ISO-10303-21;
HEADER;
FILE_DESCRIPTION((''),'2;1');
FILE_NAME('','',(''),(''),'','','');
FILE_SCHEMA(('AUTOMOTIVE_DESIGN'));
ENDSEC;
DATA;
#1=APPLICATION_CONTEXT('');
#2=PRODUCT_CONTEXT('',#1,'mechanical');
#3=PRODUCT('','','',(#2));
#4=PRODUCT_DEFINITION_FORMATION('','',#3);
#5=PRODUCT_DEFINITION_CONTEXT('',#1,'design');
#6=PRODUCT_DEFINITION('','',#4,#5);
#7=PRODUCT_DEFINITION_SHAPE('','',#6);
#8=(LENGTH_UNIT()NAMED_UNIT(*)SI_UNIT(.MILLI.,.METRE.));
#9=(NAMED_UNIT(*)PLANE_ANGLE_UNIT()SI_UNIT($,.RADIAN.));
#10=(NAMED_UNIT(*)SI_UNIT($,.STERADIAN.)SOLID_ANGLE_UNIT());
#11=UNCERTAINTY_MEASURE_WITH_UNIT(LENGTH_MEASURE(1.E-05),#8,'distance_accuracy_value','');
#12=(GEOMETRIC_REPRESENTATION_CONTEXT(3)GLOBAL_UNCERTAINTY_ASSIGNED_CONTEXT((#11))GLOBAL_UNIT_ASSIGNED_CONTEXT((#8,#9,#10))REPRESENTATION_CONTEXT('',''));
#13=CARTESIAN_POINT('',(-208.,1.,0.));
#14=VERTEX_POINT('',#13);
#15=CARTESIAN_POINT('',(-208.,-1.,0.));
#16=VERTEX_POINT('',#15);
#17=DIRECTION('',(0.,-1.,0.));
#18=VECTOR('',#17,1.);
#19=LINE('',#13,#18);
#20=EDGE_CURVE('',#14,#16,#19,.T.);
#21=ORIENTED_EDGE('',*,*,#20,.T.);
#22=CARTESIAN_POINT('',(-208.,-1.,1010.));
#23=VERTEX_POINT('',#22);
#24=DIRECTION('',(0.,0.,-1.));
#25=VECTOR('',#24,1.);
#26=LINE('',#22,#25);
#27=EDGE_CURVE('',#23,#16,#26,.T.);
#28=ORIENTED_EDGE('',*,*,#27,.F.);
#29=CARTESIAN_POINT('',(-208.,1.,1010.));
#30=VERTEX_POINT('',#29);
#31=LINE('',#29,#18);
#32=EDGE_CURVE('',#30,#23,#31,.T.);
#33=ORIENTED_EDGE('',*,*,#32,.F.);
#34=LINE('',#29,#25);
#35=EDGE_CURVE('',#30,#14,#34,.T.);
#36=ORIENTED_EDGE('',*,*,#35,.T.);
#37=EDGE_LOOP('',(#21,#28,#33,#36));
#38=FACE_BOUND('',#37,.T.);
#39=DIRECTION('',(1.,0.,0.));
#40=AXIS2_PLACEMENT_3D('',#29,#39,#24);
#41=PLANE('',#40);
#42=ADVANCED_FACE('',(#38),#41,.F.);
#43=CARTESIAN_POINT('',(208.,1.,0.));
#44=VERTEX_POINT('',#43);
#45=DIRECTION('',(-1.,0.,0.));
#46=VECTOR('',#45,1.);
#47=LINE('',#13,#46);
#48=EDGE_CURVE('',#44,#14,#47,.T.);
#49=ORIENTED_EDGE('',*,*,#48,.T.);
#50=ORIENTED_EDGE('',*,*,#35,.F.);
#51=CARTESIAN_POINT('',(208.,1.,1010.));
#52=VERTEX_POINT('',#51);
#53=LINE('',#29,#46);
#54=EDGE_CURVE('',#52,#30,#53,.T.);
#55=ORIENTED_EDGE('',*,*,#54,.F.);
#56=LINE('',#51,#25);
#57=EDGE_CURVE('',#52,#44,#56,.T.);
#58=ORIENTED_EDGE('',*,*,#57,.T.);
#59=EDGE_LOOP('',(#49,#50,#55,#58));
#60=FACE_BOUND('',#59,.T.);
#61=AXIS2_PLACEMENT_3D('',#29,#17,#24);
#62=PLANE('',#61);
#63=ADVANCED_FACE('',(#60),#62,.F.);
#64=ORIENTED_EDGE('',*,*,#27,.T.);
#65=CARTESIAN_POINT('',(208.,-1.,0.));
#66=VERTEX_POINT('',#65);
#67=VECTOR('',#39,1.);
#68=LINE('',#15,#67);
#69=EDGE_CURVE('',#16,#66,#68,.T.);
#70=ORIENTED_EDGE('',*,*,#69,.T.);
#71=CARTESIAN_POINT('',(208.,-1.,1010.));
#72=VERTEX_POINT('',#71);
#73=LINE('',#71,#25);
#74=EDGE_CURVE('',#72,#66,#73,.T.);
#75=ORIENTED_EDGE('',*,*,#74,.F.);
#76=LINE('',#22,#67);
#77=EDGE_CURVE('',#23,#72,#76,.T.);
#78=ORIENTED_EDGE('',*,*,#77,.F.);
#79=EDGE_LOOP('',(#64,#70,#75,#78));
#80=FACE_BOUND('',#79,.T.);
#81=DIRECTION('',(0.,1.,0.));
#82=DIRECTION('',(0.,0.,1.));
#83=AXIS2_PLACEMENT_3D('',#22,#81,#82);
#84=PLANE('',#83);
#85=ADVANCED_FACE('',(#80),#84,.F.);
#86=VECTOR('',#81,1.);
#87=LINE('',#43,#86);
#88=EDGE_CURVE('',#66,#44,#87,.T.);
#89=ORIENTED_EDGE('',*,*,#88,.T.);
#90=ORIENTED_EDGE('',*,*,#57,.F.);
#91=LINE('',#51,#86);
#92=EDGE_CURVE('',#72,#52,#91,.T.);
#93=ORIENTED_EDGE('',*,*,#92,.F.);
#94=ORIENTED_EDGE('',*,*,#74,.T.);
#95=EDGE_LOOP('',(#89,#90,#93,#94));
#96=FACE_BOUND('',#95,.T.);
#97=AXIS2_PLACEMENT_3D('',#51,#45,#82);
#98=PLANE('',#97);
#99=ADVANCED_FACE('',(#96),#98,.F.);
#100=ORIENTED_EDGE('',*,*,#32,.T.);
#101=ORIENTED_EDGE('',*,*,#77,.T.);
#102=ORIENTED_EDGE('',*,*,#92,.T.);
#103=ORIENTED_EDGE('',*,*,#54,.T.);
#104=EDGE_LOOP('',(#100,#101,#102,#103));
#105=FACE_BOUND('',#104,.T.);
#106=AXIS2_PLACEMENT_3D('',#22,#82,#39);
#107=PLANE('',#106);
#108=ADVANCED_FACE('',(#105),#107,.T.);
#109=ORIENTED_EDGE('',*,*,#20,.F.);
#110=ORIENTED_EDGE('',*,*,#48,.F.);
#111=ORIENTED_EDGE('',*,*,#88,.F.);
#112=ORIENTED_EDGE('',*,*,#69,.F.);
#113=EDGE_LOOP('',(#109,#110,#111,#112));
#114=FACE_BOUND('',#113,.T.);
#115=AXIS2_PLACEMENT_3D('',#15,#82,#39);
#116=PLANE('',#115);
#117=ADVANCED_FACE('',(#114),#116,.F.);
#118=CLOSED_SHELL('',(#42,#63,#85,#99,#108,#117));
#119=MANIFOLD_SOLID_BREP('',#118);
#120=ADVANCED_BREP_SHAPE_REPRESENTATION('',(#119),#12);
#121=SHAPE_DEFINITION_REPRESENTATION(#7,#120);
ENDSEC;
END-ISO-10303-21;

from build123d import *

# Parameters (mm, degrees)
ESBO_O1_W                = 416
ESBO_O1_H                = 2
RESSALTO_EXTRUS_O1_DEPTH = 1010


with BuildPart() as part:
    # Esboço1 → Ressalto-extrusão1 (new body)
    with BuildSketch(Plane.XY):
        Rectangle(ESBO_O1_W, ESBO_O1_H)
    extrude(amount=RESSALTO_EXTRUS_O1_DEPTH)


solid = part.part
